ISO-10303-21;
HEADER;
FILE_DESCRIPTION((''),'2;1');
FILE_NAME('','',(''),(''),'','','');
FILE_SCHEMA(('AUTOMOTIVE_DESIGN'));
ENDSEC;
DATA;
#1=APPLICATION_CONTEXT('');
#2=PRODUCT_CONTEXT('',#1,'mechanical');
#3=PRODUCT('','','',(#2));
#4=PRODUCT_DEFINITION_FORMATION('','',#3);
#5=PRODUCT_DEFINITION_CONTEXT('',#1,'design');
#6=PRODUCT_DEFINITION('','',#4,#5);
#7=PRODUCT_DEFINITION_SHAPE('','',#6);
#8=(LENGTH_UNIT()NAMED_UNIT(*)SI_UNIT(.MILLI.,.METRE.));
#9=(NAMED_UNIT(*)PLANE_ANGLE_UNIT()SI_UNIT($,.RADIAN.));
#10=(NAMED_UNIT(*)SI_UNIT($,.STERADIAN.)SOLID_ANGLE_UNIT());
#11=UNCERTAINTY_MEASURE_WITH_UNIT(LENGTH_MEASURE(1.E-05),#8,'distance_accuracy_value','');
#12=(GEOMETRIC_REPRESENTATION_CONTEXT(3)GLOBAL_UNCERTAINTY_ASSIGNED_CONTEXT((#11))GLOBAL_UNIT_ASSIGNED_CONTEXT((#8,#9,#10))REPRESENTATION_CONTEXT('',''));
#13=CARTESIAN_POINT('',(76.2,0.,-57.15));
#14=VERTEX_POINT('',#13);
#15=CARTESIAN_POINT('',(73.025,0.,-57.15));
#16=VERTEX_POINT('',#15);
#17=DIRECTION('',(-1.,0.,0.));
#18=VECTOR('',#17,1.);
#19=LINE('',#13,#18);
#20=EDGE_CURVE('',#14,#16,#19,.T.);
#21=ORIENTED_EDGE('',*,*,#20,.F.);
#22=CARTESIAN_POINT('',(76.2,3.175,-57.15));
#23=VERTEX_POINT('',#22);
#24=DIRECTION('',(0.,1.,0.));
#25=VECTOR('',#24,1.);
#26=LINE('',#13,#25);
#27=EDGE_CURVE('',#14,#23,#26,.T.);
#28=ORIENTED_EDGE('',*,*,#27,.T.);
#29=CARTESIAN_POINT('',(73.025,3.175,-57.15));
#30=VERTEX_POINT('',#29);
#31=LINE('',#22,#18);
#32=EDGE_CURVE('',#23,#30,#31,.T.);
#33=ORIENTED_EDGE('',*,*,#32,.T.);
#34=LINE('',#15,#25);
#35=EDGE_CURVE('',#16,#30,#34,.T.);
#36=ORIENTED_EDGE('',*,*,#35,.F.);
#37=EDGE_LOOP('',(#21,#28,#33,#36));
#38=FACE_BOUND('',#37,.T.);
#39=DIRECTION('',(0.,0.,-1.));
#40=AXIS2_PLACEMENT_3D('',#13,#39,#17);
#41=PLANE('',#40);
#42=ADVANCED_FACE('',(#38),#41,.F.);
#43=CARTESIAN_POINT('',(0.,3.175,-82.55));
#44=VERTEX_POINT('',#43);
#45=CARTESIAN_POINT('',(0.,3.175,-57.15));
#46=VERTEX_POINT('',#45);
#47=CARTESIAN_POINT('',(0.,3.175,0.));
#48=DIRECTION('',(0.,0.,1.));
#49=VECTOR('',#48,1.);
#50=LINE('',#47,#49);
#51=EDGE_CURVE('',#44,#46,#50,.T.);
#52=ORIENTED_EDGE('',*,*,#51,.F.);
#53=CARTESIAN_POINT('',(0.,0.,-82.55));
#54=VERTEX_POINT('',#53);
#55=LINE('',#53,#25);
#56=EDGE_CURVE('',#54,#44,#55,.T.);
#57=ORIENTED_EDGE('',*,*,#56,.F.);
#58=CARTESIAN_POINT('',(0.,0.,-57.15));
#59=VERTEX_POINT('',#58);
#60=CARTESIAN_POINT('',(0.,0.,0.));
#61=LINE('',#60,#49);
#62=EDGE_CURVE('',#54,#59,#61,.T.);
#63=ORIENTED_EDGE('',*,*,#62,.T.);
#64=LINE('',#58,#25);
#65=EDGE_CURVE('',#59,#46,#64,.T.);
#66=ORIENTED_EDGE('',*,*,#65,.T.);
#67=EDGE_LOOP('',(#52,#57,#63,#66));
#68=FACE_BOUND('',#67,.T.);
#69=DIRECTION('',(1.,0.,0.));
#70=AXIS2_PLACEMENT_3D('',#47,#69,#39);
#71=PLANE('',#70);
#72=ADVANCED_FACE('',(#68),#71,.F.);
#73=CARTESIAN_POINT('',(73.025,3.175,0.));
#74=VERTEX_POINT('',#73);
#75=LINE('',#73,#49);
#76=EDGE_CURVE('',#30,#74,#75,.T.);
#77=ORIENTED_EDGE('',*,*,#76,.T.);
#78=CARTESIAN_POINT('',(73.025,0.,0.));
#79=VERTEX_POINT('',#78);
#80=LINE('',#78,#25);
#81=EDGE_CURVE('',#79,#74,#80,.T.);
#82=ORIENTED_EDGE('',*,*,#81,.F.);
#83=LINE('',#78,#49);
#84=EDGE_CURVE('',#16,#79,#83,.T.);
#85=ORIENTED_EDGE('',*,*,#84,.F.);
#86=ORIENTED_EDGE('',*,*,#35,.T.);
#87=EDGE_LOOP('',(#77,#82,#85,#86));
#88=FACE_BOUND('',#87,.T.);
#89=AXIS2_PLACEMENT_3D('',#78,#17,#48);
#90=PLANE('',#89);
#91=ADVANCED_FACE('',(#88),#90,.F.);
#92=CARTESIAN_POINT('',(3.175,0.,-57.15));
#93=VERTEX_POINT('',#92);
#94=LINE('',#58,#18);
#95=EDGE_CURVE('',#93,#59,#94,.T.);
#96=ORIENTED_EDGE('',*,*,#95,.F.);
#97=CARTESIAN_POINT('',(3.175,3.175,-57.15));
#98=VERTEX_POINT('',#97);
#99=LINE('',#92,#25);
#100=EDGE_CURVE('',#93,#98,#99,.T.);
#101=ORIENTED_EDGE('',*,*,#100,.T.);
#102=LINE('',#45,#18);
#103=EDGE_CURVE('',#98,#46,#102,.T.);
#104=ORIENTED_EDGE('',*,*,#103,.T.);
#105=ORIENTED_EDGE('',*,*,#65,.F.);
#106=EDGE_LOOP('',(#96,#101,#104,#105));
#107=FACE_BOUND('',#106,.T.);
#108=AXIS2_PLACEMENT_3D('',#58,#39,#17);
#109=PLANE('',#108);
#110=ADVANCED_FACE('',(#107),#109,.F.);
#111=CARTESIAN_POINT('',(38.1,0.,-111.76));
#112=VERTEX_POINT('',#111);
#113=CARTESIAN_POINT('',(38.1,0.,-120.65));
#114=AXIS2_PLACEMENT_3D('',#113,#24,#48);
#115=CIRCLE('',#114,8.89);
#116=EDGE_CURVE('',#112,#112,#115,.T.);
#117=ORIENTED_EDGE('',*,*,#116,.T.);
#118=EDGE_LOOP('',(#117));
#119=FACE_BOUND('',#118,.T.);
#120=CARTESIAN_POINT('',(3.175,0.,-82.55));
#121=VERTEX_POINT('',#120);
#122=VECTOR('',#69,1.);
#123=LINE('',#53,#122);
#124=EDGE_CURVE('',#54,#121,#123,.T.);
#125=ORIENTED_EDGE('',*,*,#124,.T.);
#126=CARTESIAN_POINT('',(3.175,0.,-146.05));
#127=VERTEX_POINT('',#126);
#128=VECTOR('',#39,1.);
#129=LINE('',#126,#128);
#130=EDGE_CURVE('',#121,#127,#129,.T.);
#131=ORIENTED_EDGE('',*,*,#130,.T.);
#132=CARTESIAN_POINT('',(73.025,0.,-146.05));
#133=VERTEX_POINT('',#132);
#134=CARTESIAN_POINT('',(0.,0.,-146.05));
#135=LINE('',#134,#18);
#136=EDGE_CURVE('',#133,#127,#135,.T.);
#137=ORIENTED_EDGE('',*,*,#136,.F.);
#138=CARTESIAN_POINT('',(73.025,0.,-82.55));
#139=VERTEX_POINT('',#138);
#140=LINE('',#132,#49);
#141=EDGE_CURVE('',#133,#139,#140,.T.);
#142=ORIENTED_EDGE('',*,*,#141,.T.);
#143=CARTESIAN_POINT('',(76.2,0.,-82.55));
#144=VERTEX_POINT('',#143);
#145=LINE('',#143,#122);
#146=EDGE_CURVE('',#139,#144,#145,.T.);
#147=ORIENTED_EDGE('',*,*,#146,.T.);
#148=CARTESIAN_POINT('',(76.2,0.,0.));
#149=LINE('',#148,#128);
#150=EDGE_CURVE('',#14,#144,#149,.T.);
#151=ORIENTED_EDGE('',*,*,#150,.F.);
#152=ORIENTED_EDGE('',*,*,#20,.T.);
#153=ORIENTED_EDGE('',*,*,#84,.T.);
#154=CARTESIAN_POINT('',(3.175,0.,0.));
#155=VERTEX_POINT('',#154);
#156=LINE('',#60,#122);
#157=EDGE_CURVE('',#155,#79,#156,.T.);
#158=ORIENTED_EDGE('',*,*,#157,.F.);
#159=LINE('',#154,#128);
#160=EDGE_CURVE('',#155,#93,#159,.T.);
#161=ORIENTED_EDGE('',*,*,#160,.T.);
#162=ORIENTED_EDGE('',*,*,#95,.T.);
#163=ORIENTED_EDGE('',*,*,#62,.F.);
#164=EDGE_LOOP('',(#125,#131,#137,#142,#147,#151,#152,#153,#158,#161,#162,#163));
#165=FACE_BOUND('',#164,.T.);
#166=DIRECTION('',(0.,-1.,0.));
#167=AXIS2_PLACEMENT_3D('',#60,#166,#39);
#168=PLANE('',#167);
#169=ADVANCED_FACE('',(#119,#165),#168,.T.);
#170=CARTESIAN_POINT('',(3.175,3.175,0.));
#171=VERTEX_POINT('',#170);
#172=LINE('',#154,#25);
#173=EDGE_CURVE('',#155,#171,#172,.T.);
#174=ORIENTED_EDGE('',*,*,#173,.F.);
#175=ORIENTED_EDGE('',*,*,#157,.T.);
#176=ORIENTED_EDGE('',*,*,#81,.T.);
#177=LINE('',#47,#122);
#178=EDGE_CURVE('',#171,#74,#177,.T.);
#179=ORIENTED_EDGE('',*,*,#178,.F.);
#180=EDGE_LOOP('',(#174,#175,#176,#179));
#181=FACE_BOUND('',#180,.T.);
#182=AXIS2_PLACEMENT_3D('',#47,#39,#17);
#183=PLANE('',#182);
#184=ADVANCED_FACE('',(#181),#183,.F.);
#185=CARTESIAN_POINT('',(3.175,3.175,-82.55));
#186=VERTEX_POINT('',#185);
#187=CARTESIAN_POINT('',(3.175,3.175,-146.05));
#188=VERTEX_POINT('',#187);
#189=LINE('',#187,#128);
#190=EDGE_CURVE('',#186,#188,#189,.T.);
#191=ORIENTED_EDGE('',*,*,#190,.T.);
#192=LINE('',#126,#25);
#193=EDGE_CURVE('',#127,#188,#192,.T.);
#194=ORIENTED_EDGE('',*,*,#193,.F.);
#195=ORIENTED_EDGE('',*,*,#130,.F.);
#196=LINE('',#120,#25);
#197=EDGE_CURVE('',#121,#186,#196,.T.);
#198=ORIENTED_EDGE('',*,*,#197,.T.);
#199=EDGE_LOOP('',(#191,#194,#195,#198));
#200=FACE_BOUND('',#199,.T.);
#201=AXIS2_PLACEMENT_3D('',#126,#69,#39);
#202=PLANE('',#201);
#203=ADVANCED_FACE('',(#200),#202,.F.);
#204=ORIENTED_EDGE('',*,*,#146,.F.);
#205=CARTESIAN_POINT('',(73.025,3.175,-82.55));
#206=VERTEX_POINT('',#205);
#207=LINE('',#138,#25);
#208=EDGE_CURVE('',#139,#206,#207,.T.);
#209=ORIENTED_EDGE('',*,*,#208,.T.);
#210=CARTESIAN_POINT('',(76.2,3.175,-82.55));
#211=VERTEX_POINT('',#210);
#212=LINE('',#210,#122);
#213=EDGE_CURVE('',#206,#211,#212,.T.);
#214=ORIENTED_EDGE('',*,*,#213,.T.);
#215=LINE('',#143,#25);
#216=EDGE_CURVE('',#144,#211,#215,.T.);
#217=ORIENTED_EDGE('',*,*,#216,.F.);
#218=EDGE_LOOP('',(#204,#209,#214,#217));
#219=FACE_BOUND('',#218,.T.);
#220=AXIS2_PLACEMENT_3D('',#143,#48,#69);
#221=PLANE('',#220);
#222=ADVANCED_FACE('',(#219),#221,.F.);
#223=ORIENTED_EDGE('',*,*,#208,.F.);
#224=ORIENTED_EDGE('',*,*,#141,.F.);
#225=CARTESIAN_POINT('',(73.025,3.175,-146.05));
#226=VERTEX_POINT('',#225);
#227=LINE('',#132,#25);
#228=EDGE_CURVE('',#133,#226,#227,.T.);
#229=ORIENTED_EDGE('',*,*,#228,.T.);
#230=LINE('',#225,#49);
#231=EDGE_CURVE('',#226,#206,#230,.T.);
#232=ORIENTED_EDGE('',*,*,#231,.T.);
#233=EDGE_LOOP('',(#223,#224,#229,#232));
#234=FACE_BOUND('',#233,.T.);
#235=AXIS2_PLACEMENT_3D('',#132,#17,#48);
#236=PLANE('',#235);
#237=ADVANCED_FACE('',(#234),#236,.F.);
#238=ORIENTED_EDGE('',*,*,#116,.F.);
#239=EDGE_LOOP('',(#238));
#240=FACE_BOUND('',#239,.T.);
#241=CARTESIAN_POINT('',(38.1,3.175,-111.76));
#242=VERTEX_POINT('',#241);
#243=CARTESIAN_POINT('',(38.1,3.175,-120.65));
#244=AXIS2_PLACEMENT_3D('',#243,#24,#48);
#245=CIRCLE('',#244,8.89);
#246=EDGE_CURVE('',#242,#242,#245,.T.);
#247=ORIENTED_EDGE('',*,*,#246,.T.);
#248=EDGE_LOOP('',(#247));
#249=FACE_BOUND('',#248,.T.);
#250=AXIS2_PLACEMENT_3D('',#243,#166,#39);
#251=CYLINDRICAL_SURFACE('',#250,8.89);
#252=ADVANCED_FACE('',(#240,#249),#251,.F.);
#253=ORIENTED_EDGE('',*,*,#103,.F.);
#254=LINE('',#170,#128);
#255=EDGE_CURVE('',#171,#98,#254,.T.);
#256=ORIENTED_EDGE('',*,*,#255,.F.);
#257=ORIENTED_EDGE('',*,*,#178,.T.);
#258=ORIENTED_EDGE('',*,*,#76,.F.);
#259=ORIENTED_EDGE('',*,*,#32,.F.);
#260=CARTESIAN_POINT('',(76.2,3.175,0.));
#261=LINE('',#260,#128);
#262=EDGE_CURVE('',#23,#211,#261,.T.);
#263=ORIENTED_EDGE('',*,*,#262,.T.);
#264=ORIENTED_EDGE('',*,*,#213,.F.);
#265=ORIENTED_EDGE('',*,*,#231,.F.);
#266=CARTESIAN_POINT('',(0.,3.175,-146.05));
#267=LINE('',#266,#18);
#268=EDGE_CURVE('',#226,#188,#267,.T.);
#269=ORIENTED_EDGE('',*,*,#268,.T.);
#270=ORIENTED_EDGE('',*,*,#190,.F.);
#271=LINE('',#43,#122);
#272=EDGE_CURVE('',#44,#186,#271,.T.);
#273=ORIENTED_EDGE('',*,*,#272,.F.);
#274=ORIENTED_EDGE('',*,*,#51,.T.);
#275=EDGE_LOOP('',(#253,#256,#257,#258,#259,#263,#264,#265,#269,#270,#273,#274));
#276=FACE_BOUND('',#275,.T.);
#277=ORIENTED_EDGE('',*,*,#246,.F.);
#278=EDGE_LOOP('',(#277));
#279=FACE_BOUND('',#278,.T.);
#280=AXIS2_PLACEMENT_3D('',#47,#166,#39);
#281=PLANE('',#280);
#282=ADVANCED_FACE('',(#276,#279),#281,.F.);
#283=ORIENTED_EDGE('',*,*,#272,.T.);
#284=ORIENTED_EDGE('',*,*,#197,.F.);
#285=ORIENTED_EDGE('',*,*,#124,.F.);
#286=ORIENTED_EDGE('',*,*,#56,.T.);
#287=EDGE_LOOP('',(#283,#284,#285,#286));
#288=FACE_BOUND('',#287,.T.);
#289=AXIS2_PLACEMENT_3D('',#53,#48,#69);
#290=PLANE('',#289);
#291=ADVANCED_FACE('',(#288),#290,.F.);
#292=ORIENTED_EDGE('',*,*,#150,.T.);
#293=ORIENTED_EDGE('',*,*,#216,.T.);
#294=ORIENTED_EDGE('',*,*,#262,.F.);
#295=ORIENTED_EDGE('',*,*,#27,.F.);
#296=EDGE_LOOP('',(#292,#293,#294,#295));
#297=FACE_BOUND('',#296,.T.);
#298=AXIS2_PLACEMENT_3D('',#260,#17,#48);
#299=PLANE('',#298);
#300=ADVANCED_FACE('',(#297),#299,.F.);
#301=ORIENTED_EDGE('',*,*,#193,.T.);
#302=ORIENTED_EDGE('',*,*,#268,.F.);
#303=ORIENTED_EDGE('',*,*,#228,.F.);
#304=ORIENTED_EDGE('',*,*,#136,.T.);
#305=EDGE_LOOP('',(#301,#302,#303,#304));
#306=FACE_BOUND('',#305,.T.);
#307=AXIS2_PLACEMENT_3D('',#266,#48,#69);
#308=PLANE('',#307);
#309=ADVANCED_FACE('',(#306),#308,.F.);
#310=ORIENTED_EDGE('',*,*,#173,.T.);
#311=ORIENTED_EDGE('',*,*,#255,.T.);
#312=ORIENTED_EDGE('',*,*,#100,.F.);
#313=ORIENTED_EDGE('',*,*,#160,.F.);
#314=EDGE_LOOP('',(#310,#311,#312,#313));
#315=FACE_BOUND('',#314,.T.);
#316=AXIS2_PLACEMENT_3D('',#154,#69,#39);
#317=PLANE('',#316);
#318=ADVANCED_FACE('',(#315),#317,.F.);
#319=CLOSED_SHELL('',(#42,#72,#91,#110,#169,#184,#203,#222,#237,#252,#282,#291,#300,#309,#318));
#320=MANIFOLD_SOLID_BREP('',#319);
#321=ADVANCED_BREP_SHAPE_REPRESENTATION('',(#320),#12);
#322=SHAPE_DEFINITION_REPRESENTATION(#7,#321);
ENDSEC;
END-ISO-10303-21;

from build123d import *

# Parameters (mm, degrees)
SKETCH1_W           = 76.2
SKETCH1_H           = 146.05
SKETCH1_R           = 8.89
BOSS_EXTRUDE1_DEPTH = 3.175
SKETCH2_W           = 3.175
SKETCH2_H           = 57.15
SKETCH2_H_2         = 63.5
CUT_EXTRUDE1_DEPTH  = 3.175


with BuildPart() as part:
    # Sketch1 → Boss-Extrude1 (new body)
    with BuildSketch(Plane(origin=(0, 0, 0), x_dir=(1, 0, 0), z_dir=(0, 1, 0))):
        with Locations((38.1, 73.025)):
            Rectangle(SKETCH1_W, SKETCH1_H)
        with Locations(Location((38.1, 120.65, 0), (0, 0, 270))):
            Circle(SKETCH1_R, mode=Mode.SUBTRACT)
    extrude(amount=BOSS_EXTRUDE1_DEPTH)

    # Sketch2 → Cut-Extrude1 (cut)
    with BuildSketch(Plane(origin=(0, 3.175, 0), x_dir=(1, 0, 0), z_dir=(0, 1, 0))):
        with Locations((1.5875, 28.575)):
            Rectangle(SKETCH2_W, SKETCH2_H)
        with Locations((1.5875, 114.3)):
            Rectangle(SKETCH2_W, SKETCH2_H_2)
        with Locations((74.6125, 114.3)):
            Rectangle(SKETCH2_W, SKETCH2_H_2)
        with Locations((74.6125, 28.575)):
            Rectangle(SKETCH2_W, SKETCH2_H)
    extrude(amount=-CUT_EXTRUDE1_DEPTH, mode=Mode.SUBTRACT)


solid = part.part
